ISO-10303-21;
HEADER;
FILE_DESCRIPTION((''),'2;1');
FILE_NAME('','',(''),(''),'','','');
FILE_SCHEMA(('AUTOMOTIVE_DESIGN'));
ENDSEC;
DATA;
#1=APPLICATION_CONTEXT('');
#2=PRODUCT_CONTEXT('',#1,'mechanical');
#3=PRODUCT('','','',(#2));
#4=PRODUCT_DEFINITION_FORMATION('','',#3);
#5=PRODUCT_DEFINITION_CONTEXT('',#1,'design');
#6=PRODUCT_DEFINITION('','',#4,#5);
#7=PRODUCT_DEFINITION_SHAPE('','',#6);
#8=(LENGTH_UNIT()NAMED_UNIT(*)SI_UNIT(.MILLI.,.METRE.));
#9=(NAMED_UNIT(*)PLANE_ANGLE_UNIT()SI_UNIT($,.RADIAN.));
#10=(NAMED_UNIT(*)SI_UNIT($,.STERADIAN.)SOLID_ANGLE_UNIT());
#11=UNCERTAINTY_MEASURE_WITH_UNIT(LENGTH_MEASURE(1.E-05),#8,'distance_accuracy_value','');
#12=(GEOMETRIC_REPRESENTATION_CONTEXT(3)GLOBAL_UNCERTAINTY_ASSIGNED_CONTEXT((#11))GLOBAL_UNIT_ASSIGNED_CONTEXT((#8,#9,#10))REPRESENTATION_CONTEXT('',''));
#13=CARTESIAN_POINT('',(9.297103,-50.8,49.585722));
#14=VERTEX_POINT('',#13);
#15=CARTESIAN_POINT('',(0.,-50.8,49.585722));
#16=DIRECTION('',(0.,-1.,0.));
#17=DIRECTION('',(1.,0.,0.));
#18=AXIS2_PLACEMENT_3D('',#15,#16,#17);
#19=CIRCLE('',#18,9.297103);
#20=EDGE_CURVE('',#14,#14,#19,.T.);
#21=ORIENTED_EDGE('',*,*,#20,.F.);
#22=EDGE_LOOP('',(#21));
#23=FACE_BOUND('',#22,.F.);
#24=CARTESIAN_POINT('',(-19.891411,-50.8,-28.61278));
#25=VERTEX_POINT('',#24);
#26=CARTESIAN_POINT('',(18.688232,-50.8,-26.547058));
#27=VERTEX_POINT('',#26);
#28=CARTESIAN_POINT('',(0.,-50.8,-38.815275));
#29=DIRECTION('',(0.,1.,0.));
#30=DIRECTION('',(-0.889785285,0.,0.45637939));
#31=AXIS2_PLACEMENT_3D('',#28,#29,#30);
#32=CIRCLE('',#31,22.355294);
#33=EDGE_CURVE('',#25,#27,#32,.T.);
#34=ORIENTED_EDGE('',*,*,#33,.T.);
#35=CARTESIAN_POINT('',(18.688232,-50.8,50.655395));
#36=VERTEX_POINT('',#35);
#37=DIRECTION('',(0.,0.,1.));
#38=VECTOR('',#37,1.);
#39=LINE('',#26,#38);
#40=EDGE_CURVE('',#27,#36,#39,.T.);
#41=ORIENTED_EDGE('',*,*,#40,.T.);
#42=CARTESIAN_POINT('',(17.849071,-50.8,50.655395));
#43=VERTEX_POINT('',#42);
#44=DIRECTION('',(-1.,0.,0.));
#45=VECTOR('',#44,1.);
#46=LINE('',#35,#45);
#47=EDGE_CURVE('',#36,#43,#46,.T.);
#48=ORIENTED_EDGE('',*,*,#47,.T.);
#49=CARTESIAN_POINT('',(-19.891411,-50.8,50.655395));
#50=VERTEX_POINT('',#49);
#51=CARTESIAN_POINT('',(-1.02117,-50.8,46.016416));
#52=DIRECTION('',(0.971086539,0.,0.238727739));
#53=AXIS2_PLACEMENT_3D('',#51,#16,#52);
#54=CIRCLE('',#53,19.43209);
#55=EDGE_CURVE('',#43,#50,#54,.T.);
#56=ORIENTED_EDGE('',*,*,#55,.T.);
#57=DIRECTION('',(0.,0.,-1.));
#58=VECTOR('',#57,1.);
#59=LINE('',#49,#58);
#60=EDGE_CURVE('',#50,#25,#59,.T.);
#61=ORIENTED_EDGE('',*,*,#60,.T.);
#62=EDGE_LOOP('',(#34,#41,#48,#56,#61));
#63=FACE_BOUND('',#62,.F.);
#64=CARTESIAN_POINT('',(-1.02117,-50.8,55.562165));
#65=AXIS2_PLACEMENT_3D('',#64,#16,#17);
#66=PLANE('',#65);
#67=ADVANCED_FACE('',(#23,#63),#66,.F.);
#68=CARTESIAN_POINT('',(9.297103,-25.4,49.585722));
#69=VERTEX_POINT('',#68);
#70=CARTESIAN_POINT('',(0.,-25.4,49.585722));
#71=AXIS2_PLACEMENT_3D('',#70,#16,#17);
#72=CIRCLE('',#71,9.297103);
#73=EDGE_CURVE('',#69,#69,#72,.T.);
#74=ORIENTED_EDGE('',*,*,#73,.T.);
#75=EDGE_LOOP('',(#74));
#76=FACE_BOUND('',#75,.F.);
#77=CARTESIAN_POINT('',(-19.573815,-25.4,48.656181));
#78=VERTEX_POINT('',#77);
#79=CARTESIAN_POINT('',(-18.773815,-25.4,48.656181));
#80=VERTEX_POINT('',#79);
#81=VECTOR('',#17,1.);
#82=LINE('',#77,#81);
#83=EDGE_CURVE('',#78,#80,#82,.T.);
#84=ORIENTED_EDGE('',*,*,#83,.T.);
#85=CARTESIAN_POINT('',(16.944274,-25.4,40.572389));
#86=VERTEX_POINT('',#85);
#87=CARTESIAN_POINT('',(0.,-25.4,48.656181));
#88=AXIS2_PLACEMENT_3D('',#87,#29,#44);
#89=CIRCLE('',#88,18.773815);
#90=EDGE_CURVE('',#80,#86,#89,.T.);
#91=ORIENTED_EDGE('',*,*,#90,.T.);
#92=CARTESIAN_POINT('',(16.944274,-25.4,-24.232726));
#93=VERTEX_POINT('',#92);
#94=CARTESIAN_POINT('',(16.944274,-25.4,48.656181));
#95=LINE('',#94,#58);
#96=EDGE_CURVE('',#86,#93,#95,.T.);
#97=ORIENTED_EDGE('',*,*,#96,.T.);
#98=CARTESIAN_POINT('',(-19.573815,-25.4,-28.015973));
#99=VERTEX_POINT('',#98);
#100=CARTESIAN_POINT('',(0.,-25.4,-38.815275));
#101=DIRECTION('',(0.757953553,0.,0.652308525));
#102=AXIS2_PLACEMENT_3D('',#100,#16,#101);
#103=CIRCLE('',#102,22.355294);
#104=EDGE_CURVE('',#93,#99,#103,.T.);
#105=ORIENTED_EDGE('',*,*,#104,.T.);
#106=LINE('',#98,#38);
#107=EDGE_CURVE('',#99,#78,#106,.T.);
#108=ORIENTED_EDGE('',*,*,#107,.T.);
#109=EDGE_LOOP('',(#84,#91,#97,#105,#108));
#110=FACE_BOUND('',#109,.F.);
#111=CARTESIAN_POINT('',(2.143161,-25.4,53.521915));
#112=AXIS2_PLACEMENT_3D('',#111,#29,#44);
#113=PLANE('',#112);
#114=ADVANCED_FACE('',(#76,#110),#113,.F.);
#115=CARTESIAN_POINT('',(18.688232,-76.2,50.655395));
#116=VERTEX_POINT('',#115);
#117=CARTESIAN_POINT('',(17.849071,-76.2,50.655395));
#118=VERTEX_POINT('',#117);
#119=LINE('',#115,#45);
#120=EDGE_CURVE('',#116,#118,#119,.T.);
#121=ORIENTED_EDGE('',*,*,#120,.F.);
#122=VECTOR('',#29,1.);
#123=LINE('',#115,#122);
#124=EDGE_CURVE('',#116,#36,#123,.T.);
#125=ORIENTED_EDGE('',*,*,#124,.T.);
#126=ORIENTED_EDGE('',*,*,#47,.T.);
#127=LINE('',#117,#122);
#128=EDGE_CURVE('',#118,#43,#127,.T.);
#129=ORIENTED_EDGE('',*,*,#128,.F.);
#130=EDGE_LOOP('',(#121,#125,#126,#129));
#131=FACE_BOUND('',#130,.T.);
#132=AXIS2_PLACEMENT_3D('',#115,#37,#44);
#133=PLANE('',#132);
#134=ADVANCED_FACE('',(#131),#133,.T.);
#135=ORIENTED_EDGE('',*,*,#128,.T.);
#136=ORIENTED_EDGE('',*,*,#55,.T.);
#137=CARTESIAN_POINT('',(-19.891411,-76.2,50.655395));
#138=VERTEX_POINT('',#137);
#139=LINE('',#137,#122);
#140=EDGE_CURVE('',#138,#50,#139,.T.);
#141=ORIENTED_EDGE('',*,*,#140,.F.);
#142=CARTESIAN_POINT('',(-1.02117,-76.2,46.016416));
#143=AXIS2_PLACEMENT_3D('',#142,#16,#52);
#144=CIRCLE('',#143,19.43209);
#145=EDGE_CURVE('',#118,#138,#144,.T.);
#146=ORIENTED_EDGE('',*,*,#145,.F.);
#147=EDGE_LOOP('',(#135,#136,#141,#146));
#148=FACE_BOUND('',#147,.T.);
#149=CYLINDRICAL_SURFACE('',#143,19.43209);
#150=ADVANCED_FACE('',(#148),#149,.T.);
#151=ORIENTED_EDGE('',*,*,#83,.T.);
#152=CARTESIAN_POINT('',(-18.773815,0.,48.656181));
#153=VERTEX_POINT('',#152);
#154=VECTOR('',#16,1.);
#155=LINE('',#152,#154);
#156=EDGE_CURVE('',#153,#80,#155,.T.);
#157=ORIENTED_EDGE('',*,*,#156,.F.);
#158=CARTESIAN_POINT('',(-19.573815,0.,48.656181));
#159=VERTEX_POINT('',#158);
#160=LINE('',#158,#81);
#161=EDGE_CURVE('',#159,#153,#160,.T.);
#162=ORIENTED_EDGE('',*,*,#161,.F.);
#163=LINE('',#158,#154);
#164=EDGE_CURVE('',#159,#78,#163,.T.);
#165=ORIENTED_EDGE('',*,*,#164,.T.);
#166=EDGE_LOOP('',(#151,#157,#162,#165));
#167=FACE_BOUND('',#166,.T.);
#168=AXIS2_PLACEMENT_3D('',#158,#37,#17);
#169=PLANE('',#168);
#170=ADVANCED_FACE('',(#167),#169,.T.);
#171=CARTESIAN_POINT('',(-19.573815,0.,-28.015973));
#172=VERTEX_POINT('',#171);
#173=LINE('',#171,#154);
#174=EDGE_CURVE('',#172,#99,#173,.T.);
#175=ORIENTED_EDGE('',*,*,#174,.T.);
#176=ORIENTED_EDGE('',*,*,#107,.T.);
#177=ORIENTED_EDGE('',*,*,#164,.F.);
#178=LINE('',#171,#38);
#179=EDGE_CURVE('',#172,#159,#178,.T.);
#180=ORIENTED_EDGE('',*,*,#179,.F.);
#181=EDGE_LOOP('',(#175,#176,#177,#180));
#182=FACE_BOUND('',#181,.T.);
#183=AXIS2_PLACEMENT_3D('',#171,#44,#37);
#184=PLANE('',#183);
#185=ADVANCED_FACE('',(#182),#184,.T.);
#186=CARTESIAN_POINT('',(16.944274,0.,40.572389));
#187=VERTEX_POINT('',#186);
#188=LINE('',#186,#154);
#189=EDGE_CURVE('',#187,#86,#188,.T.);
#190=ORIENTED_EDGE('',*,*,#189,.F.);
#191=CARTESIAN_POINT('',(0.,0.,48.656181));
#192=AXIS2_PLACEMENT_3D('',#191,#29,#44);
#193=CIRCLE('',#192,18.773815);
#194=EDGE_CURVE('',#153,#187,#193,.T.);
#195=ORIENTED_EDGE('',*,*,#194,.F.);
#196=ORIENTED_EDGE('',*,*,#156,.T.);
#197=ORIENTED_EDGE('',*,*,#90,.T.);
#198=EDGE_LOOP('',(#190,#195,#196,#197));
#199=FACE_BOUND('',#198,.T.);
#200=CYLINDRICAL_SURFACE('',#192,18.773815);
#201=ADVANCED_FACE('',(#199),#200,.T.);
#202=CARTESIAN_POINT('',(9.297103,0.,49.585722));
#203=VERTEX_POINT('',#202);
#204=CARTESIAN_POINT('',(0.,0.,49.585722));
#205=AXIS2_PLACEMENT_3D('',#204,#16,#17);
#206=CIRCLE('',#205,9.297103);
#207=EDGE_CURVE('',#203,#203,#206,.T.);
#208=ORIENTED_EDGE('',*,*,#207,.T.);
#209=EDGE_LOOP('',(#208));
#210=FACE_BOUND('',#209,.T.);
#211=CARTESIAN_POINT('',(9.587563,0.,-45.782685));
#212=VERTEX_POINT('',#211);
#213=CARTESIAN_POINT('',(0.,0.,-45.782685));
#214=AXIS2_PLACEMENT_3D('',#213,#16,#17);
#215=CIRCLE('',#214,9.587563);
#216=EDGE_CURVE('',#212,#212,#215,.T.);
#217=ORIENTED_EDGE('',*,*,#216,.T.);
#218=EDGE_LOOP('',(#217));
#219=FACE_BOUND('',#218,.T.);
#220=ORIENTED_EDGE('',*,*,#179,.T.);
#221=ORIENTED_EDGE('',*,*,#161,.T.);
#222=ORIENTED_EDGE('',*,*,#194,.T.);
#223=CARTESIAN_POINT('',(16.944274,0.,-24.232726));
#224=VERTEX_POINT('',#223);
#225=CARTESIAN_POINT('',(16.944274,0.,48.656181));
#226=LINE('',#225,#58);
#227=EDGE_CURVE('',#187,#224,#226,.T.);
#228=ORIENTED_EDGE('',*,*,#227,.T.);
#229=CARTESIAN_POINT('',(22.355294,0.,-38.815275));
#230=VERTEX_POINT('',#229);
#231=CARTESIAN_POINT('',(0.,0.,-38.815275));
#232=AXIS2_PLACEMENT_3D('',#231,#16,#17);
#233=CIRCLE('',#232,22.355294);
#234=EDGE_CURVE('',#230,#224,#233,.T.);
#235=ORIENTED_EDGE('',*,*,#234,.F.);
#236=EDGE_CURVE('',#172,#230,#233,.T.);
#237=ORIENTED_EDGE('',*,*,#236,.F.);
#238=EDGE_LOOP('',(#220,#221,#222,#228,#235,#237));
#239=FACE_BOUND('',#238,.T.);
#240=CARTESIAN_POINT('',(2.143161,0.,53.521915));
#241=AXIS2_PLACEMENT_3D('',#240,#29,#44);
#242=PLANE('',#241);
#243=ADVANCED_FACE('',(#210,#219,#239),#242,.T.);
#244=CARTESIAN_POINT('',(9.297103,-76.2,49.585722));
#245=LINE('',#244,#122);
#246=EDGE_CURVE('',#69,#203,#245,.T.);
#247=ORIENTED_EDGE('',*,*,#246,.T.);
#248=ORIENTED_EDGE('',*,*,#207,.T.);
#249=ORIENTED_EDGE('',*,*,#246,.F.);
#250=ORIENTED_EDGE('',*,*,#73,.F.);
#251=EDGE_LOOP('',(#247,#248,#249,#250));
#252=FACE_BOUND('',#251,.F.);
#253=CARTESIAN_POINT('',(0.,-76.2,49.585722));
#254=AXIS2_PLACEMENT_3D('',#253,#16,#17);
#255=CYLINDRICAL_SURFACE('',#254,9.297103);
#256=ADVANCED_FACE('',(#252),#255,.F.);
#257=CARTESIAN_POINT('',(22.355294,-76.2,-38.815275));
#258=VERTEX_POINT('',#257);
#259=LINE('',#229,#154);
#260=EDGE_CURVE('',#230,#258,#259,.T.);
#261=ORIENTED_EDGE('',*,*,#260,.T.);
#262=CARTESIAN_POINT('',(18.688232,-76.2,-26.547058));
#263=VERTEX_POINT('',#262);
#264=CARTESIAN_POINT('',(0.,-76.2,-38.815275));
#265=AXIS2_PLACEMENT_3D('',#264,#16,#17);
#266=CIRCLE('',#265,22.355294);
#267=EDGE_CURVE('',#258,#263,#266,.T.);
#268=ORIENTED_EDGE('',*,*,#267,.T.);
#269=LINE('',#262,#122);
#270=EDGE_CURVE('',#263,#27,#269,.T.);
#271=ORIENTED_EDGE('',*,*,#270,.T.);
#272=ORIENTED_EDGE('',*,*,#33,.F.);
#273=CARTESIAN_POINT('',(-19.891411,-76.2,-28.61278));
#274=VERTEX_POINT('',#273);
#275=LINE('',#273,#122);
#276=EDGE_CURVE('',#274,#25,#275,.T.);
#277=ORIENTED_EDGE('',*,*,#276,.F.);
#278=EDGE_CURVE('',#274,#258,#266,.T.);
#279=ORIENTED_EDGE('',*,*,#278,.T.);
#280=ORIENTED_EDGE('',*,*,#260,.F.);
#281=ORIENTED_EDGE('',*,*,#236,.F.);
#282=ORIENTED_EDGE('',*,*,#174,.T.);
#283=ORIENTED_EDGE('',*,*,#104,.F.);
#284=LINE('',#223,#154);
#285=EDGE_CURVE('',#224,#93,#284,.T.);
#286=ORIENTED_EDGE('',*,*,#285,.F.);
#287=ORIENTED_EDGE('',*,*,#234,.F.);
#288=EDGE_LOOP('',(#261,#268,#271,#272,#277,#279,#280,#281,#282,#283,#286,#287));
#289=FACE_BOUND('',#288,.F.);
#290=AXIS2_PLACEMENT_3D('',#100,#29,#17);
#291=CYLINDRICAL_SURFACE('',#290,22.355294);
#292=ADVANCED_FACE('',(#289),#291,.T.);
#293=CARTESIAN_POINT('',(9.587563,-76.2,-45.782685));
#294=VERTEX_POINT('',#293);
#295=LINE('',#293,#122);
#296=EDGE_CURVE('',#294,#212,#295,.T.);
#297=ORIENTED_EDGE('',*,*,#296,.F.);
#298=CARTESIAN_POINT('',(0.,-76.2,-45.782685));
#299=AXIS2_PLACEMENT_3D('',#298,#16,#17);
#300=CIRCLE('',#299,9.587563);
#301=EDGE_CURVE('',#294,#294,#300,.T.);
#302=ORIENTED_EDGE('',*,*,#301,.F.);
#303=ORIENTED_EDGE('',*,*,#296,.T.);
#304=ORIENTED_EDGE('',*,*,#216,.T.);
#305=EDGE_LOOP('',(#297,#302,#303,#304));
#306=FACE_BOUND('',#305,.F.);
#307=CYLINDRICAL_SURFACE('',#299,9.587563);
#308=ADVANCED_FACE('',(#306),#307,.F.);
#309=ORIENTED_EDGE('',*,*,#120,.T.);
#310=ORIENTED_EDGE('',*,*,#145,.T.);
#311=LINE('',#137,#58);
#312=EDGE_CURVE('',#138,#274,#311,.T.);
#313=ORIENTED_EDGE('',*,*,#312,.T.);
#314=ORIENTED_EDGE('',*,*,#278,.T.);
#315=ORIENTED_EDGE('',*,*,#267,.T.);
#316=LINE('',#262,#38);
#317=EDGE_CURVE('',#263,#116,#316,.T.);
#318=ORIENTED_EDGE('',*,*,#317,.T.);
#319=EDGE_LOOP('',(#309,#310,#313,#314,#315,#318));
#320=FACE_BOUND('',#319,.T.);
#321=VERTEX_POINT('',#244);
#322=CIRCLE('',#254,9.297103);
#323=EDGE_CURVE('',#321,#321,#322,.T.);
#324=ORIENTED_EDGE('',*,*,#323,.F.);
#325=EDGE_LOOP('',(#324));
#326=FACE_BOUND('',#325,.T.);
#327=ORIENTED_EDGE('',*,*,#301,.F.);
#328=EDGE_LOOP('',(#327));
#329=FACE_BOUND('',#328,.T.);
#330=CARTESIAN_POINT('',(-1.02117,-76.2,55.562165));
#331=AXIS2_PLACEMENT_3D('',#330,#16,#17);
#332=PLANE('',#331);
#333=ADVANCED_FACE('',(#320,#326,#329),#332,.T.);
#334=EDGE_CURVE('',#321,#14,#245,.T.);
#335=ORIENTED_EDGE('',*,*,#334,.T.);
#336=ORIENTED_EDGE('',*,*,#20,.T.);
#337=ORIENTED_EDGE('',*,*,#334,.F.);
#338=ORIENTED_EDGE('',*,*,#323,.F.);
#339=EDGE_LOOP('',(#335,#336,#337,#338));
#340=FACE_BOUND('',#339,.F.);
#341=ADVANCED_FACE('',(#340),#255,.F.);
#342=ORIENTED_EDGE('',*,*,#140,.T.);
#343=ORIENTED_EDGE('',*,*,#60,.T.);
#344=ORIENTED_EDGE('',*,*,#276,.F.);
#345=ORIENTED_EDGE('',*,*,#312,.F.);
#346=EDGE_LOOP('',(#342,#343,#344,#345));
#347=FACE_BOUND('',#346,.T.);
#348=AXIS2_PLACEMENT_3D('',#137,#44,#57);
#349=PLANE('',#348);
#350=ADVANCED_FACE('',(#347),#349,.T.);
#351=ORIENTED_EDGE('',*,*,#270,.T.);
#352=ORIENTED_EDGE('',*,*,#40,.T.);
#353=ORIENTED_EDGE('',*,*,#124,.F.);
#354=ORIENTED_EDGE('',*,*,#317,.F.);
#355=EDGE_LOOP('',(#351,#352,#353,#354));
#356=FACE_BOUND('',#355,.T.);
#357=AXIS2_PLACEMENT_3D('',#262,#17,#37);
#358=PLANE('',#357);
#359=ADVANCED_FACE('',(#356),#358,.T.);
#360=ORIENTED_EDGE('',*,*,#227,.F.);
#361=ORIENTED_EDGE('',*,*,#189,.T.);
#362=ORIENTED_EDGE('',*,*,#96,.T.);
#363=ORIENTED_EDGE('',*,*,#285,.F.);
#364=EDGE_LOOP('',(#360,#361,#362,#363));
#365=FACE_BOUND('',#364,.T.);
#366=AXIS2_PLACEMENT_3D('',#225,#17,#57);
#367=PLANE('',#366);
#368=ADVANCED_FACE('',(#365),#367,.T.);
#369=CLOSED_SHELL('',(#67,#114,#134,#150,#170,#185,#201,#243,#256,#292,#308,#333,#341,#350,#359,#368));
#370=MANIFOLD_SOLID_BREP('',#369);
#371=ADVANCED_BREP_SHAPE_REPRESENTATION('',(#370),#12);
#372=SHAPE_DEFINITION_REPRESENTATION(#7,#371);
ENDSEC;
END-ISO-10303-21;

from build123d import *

# Parameters (mm, degrees)
F0_R      = 22.355293723
F10_DEPTH = 25.4
F1_DEPTH  = 50.8
F11_DEPTH = 25.4
F3_DEPTH  = 25.4
F14_DEPTH = 25.4
F5_DEPTH  = 25.4
F6_R      = 9.2971028971
F7_DEPTH  = 76.201
F8_R      = 9.5875632129
F9_DEPTH  = 76.201


with BuildPart() as f10:
    # F0 (on Front) → F10 (new body)
    with BuildSketch(Plane.XZ):
        with Locations((0, -38.8152748346)):
            Circle(F0_R)
    extrude(amount=F10_DEPTH)

    # F1 (add): a face of the model
    f1_faces = [f10.faces().sort_by_distance(p)[0] for p in [
        (0, -25.4, -38.8152748346),
    ]]
    extrude(f1_faces, amount=F1_DEPTH)

    # F2 (on face) → F11 (join)
    with BuildSketch(Plane.XZ.offset(76.2)):
        with BuildLine():
            Line((18.6882317066, -26.5470576406), (18.6882317066, 50.6553947926))
            Line((18.6882317066, 50.6553947926), (-19.891411387, 50.6553947926))
            Line((-19.891411387, 50.6553947926), (-19.891411387, -28.6127795284))
            ThreePointArc((-19.891411387, -28.6127795284), (-1.1952874404, -16.4919586523), (18.6882317066, -26.5470576406))
        make_face()
    extrude(amount=-F11_DEPTH)

    # F12 (on face) → F3 (join)
    with BuildSketch(Plane(origin=(0, 0, 0), x_dir=(-1, 0, 0), z_dir=(0, 1, 0))):
        with BuildLine():
            Line((19.5738153324, 48.656180501), (-16.9442743063, 48.656180501))
            Line((-16.9442743063, 48.656180501), (-16.9442743063, -24.232726166))
            ThreePointArc((-16.9442743063, -24.232726166), (2.3036626211, -16.5789915128), (19.5738153324, -28.0159734325))
            Line((19.5738153324, -28.0159734325), (19.5738153324, 48.656180501))
        make_face()
    extrude(amount=-F3_DEPTH)

    # F13 (on face) → F14 (join)
    with BuildSketch(Plane.XZ.offset(76.2)):
        with BuildLine():
            Line((-19.891411387, 50.6553947926), (17.8490708054, 50.6553947926))
            ThreePointArc((17.8490708054, 50.6553947926), (-1.0211702908, 65.4485059403), (-19.891411387, 50.6553947926))
        make_face()
    extrude(amount=-F14_DEPTH)

    # F4 (on face) → F5 (join)
    with BuildSketch(Plane(origin=(0, 0, 0), x_dir=(-1, 0, 0), z_dir=(0, 1, 0))):
        with BuildLine():
            Line((-16.9442743063, 48.656180501), (18.7738145008, 48.656180501))
            ThreePointArc((18.7738145008, 48.656180501), (-4.1441192209, 66.9668983131), (-16.9442743063, 40.5723893641))
            Line((-16.9442743063, 40.5723893641), (-16.9442743063, 48.656180501))
        make_face()
    extrude(amount=-F5_DEPTH)

    # F6 (on face) → F7 (cut, through all)
    with BuildSketch(Plane.XZ.offset(76.2)):
        with Locations((0, 49.5857223868)):
            Circle(F6_R)
    extrude(amount=-F7_DEPTH, mode=Mode.SUBTRACT)

    # F8 (on face) → F9 (cut, through all)
    with BuildSketch(Plane.XZ.offset(76.2)):
        with Locations((0, -45.7826852798)):
            Circle(F8_R)
    extrude(amount=-F9_DEPTH, mode=Mode.SUBTRACT)


solid = f10.part
